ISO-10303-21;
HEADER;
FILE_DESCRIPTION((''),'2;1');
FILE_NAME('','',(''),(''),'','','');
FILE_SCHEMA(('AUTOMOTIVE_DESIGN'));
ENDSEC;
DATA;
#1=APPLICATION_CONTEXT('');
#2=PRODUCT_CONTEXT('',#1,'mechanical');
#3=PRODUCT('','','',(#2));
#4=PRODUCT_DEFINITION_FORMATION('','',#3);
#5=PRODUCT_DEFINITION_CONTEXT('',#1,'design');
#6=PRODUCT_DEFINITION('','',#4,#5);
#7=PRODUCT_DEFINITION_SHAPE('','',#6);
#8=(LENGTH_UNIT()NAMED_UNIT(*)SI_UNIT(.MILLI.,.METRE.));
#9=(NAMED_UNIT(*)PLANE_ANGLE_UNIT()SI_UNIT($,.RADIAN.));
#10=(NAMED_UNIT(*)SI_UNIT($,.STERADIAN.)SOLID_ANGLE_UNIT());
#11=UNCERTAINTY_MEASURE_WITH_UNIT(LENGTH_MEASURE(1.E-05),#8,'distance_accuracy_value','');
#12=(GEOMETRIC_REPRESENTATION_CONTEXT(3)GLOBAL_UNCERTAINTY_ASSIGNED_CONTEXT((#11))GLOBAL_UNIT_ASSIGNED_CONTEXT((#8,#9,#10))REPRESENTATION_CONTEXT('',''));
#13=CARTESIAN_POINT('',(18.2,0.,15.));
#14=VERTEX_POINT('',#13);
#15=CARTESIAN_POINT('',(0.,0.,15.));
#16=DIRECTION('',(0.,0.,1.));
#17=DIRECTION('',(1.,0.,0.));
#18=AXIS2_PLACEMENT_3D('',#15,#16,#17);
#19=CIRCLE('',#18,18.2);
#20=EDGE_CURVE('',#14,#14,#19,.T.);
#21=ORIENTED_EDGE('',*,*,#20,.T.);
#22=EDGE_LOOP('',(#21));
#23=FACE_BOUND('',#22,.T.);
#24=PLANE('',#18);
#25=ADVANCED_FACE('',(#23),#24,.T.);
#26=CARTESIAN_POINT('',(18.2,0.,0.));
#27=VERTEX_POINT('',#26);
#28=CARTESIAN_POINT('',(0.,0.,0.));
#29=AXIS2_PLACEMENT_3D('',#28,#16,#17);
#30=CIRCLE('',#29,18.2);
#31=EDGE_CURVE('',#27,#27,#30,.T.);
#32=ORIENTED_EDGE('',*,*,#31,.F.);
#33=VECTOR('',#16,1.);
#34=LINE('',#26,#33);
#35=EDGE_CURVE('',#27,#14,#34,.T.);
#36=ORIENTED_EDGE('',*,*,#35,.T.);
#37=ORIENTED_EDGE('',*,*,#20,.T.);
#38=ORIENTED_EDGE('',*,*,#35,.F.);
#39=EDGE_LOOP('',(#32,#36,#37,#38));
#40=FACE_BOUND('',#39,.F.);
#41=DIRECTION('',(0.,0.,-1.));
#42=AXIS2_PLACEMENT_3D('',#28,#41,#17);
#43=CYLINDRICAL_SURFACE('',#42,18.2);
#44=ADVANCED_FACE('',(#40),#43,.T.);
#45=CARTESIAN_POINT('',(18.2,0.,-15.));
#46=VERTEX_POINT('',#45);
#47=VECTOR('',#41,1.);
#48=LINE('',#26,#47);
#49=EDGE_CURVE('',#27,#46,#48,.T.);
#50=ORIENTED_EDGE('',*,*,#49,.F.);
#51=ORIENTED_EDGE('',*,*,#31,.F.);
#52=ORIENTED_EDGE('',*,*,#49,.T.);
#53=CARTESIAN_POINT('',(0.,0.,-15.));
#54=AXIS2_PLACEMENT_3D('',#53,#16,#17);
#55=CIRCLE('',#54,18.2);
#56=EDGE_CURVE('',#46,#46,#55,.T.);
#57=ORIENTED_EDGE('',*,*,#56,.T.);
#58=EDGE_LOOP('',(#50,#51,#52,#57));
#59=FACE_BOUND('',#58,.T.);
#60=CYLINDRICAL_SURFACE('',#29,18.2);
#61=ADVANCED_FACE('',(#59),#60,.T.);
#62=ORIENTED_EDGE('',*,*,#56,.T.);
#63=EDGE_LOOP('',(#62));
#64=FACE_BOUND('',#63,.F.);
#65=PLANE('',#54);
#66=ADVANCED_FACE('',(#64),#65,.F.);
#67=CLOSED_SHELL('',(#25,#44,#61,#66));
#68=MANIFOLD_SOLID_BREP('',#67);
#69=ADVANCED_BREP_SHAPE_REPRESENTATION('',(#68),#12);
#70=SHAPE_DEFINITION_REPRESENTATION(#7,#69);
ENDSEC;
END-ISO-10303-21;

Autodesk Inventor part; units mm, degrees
ref_plane "YZ Plane" through (0, 0, 0) normal (1, 0, 0) x (0, 1, 0)
ref_plane "XZ Plane" through (0, 0, 0) normal (0, 1, 0) x (-1, 0, 0)
ref_plane "XY Plane" through (0, 0, 0) normal (0, 0, 1) x (1, 0, 0)
sketch "Sketch2" plane through (0, 0, 0) normal (0, 0, 1) x (1, 0, 0)
  circle A0 centre (0, 0) radius 18.2
  dimension "d0" = 36.4
extrude "Extrusion1" add sketch "Sketch2" along normal blind 15 and the other way blind 15
properties part number "motor" material "Stainless Steel"
